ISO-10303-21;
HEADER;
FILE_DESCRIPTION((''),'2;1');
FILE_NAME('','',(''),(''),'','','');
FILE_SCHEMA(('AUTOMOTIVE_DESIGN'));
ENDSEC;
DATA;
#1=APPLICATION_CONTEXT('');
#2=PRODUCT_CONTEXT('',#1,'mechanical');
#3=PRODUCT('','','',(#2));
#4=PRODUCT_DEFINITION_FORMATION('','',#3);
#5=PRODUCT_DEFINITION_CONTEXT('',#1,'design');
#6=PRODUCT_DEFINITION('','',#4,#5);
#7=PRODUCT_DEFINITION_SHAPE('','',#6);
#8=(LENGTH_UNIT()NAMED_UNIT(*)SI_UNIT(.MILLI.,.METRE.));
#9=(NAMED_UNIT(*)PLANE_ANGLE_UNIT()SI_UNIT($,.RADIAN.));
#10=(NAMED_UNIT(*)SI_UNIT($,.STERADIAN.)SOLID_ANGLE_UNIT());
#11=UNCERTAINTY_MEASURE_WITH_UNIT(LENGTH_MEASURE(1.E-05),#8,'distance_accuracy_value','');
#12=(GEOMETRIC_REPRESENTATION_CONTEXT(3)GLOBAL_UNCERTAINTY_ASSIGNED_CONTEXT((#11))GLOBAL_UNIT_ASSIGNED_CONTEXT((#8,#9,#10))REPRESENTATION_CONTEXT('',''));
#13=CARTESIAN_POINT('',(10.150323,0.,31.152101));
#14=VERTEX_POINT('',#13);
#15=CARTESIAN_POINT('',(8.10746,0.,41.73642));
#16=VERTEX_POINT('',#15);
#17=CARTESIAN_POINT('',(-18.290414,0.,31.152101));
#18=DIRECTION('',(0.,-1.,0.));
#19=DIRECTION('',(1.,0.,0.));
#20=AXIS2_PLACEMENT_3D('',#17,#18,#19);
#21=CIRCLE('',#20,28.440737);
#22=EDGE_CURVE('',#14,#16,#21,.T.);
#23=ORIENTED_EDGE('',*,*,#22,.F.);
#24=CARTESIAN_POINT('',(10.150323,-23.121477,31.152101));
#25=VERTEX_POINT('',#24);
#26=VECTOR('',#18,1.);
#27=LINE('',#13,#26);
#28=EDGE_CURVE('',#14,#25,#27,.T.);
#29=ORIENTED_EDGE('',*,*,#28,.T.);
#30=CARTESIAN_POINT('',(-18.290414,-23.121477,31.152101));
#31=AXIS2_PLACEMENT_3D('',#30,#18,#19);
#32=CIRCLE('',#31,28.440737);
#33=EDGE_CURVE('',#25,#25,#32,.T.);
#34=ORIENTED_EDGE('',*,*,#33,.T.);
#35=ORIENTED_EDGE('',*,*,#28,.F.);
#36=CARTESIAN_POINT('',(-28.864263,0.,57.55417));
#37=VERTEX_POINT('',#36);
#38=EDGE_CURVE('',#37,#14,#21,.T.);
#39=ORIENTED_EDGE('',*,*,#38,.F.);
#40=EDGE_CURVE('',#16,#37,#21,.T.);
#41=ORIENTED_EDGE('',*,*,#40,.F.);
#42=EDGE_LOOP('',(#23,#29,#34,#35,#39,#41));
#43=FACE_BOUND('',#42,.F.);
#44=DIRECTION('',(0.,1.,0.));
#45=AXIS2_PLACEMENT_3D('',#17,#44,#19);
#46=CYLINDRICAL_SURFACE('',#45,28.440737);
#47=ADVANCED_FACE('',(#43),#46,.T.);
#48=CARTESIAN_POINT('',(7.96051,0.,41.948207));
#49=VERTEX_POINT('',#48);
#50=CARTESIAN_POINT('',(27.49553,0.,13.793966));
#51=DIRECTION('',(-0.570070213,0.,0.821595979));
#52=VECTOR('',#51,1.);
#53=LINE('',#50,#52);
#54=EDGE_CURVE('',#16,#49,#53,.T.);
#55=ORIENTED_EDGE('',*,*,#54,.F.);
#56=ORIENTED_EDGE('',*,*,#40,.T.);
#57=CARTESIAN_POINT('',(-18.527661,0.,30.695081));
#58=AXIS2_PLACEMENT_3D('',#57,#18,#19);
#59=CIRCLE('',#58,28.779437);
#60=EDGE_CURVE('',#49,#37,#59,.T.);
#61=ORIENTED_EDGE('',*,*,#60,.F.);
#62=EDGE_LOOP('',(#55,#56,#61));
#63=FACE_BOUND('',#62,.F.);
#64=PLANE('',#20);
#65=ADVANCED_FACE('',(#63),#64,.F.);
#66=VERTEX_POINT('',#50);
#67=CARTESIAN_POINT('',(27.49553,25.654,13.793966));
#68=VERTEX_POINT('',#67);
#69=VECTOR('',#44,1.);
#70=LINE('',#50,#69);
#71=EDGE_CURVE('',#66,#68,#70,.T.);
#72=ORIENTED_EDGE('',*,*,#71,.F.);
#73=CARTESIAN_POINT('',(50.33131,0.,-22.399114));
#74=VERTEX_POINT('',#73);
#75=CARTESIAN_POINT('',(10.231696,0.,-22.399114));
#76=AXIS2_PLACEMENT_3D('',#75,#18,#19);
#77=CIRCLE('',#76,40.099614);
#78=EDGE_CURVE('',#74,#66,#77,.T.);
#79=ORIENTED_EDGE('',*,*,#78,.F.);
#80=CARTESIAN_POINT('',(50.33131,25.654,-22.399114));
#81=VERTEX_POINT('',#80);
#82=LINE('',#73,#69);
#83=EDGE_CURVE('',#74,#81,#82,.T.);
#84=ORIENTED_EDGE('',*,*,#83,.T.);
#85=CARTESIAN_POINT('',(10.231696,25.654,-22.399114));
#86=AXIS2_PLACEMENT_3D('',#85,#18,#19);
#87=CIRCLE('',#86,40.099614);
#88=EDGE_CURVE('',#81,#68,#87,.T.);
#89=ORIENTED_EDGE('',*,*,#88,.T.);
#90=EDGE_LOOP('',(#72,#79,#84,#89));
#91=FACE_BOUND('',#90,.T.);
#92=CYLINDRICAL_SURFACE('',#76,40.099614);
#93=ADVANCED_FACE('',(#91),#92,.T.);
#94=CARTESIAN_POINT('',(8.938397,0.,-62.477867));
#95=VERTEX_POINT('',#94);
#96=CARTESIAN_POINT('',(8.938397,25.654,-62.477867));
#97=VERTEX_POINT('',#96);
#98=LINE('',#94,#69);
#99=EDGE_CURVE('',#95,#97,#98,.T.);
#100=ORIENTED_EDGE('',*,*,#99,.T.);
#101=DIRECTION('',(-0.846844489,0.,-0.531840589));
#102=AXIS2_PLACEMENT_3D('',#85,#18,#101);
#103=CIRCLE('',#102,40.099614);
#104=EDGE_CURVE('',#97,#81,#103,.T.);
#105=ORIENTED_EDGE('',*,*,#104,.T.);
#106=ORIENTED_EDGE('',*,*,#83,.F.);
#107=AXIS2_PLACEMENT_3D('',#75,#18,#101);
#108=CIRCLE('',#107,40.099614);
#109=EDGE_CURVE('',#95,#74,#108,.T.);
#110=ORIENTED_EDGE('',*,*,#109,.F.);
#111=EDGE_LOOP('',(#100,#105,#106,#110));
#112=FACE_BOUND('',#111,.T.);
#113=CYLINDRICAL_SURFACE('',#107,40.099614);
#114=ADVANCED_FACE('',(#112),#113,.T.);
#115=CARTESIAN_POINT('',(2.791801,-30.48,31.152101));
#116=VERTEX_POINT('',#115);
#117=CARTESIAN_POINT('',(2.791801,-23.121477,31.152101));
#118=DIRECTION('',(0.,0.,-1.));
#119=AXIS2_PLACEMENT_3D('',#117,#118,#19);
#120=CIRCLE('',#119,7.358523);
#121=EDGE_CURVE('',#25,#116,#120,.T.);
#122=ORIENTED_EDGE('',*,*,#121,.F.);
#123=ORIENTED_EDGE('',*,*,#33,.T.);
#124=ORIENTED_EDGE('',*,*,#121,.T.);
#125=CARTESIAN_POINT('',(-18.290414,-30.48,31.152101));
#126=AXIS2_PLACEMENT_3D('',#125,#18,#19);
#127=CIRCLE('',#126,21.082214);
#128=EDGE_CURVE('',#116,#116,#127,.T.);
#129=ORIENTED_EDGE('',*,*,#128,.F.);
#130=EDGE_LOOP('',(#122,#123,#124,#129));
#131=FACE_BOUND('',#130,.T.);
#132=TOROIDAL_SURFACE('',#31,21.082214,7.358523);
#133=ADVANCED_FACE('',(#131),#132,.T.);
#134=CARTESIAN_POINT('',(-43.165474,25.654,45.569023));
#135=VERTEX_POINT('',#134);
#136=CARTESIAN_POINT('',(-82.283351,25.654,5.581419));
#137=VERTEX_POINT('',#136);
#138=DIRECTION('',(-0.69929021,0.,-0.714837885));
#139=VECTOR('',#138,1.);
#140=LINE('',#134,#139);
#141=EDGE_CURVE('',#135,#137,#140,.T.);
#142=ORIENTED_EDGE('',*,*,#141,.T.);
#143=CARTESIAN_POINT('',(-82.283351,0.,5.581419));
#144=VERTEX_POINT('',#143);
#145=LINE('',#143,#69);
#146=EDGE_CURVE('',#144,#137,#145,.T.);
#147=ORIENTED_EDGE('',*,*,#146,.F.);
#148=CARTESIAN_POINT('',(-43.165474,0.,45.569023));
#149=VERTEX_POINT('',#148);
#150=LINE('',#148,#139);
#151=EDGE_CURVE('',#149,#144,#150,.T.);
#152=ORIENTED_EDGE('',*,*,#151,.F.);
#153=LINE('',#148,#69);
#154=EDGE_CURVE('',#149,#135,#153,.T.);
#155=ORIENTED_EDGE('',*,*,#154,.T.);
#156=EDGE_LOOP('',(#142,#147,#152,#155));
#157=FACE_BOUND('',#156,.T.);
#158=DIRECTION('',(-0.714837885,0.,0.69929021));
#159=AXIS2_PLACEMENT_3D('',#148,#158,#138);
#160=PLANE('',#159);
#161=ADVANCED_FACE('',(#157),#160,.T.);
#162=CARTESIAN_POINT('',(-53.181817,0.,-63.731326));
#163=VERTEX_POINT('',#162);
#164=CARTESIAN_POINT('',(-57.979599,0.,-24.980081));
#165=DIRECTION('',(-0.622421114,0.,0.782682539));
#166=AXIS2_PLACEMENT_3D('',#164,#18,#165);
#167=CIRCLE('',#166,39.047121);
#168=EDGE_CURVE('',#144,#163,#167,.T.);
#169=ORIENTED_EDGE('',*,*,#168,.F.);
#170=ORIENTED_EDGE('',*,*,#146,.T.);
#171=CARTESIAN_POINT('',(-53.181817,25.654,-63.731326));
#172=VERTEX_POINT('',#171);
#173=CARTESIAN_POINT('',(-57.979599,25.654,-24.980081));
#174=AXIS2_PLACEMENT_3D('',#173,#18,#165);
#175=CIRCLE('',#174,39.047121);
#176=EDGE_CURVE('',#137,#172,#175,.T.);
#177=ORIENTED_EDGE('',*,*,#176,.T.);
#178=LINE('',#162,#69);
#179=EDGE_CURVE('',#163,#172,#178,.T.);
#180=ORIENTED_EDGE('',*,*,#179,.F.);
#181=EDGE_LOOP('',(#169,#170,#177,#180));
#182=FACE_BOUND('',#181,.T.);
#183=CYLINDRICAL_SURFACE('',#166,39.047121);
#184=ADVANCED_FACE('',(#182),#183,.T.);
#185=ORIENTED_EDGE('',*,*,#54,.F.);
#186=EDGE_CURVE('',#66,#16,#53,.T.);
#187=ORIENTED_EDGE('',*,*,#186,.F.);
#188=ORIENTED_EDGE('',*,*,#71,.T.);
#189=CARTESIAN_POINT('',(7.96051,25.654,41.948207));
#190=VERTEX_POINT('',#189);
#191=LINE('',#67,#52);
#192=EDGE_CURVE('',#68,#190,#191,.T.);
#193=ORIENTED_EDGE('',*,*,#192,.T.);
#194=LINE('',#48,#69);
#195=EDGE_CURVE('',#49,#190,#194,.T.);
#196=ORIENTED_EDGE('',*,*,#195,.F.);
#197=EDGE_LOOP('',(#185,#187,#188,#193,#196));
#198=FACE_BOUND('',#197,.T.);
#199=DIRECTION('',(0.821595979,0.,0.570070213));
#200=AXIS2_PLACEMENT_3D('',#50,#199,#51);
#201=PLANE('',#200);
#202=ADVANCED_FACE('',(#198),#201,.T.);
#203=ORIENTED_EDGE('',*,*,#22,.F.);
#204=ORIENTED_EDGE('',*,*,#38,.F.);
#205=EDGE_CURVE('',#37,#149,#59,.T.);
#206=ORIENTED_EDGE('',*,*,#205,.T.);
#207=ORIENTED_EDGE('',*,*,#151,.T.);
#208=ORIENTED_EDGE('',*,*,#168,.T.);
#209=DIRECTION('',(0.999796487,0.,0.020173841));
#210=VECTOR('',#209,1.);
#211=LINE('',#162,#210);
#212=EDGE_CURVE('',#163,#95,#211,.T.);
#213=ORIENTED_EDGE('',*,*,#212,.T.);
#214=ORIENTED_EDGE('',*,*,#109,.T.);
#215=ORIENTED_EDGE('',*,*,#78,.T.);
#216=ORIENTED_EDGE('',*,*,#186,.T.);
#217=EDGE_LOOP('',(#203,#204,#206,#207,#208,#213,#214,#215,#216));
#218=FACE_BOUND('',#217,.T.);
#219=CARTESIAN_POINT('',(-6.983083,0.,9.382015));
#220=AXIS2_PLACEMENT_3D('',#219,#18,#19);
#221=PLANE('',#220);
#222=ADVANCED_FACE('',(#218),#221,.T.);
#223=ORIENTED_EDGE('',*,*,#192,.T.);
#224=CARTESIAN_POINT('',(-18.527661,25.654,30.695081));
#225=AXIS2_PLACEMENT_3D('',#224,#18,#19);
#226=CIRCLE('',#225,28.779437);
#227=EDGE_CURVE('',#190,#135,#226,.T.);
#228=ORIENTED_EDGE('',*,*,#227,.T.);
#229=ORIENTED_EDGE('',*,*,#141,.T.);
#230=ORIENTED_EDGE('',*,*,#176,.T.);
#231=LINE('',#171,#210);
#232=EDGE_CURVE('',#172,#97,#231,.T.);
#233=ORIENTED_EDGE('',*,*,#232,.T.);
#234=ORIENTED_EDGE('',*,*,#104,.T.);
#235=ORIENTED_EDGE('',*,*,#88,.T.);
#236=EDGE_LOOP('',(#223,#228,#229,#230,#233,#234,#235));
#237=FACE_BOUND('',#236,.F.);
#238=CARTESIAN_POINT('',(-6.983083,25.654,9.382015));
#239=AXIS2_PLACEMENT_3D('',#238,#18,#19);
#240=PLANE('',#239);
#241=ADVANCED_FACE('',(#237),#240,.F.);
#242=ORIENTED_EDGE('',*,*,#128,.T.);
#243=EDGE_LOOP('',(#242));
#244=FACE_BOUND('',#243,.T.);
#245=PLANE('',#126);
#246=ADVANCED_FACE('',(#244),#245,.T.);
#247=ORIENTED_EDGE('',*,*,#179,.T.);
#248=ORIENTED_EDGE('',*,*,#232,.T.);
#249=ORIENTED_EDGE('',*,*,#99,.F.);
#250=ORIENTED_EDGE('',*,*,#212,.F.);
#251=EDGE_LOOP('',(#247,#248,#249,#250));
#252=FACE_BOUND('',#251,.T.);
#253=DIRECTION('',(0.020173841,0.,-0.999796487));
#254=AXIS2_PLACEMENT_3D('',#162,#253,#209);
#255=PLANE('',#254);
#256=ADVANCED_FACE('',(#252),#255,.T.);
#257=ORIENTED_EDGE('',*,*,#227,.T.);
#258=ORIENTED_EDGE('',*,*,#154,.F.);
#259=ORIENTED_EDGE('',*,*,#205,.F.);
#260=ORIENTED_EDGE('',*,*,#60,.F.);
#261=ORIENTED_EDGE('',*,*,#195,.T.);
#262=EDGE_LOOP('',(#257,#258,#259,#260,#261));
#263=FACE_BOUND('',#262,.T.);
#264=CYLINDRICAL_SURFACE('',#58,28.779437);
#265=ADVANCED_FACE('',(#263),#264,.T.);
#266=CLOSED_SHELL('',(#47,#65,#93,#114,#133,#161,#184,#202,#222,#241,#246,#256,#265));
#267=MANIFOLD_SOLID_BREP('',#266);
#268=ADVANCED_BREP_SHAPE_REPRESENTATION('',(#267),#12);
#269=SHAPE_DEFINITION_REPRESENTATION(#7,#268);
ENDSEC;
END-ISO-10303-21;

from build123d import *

# Parameters (mm, degrees)
F1_DEPTH = 25.654
F2_R     = 28.4407370428
F3_DEPTH = 30.48
F4_R     = 7.3585229381


with BuildPart() as f1:
    # F0 (on Front) → F1 (new body)
    with BuildSketch(Plane.XZ):
        with BuildLine():
            ThreePointArc((-21.5344435526, 2.0731437555), (-4.8204991058, 5.3895527458), (7.0882450204, 17.5771005261))
            ThreePointArc((7.0882450204, 17.5771005261), (-8.8670748097, 12.8601538234), (-21.5344435526, 2.0731437555))
        make_face()
        with BuildLine():
            ThreePointArc((7.9605099877, 41.948206774), (9.6731432739, 36.4370915007), (10.2517769659, 30.6950807571))
            ThreePointArc((10.2517769659, 30.6950807571), (9.4497176108, 23.9480566036), (7.0882450204, 17.5771005261))
            ThreePointArc((7.0882450204, 17.5771005261), (17.5408909724, 17.0287274663), (27.4955300755, 13.793966155))
            Line((27.4955300755, 13.793966155), (7.9605099877, 41.948206774))
        make_face()
        with BuildLine():
            ThreePointArc((-23.7264411014, -43.725716795), (-36.04104655, -57.2814370335), (-53.1818165378, -63.731325619))
            Line((-53.1818165378, -63.731325619), (8.938396841, -62.4778672324))
            ThreePointArc((8.938396841, -62.4778672324), (-9.7326904365, -57.1755765902), (-23.7264411014, -43.725716795))
        make_face()
        with BuildLine():
            ThreePointArc((-18.9324777024, -24.9800812453), (-20.5427988057, -13.8821683024), (-25.2409413599, -3.6996213576))
            ThreePointArc((-25.2409413599, -3.6996213576), (-29.8392434552, -23.915311506), (-23.7264411014, -43.725716795))
            ThreePointArc((-23.7264411014, -43.725716795), (-20.1499486388, -34.6545442437), (-18.9324777024, -24.9800812453))
        make_face()
        with BuildLine():
            ThreePointArc((27.4955300755, 13.793966155), (17.5408909724, 17.0287274663), (7.0882450204, 17.5771005261))
            ThreePointArc((7.0882450204, 17.5771005261), (-4.8204991058, 5.3895527458), (-21.5344435526, 2.0731437555))
            ThreePointArc((-21.5344435526, 2.0731437555), (-23.5113697235, -0.7338297985), (-25.2409413599, -3.6996213576))
            ThreePointArc((-25.2409413599, -3.6996213576), (-20.5427988057, -13.8821683024), (-18.9324777024, -24.9800812453))
            ThreePointArc((-18.9324777024, -24.9800812453), (-20.1499486388, -34.6545442437), (-23.7264411014, -43.725716795))
            ThreePointArc((-23.7264411014, -43.725716795), (-9.7326904365, -57.1755765902), (8.938396841, -62.4778672324))
            ThreePointArc((8.938396841, -62.4778672324), (38.12540726, -51.2074452523), (50.331310131, -22.3991144449))
            ThreePointArc((50.331310131, -22.3991144449), (44.1452046519, -1.0016149762), (27.4955300755, 13.793966155))
        make_face()
        with BuildLine():
            ThreePointArc((7.0882450204, 17.5771005261), (9.4497176108, 23.9480566036), (10.2517769659, 30.6950807571))
            ThreePointArc((10.2517769659, 30.6950807571), (9.6731432739, 36.4370915007), (7.9605099877, 41.948206774))
            ThreePointArc((7.9605099877, 41.948206774), (-16.4945513192, 59.4026144185), (-43.1654741186, 45.5690231721))
            ThreePointArc((-43.1654741186, 45.5690231721), (-44.2964170336, 17.8799643072), (-21.5344435526, 2.0731437555))
            ThreePointArc((-21.5344435526, 2.0731437555), (-8.8670748097, 12.8601538234), (7.0882450204, 17.5771005261))
        make_face()
        with BuildLine():
            ThreePointArc((-21.5344435526, 2.0731437555), (-44.2964170336, 17.8799643072), (-43.1654741186, 45.5690231721))
            Line((-43.1654741186, 45.5690231721), (-82.2833511654, 5.5814185032))
            ThreePointArc((-82.2833511654, 5.5814185032), (-51.7089264452, 13.5602395088), (-25.2409413599, -3.6996213576))
            ThreePointArc((-25.2409413599, -3.6996213576), (-23.5113697235, -0.7338297985), (-21.5344435526, 2.0731437555))
        make_face()
        with BuildLine():
            ThreePointArc((-25.2409413599, -3.6996213576), (-51.7089264452, 13.5602395088), (-82.2833511654, 5.5814185032))
            ThreePointArc((-82.2833511654, 5.5814185032), (-93.9821658408, -40.0960598334), (-53.1818165378, -63.731325619))
            ThreePointArc((-53.1818165378, -63.731325619), (-36.04104655, -57.2814370335), (-23.7264411014, -43.725716795))
            ThreePointArc((-23.7264411014, -43.725716795), (-29.8392434552, -23.915311506), (-25.2409413599, -3.6996213576))
        make_face()
    extrude(amount=-F1_DEPTH)

    # F2 (on Front) → F3 (join)
    with BuildSketch(Plane.XZ):
        with Locations((-18.2904135436, 31.1521012336)):
            Circle(F2_R)
    extrude(amount=F3_DEPTH)

    # F4
    f4_edges = [f1.edges().sort_by_distance(p)[0] for p in [
        (-46.731151, -30.48, 31.152101),
    ]]
    fillet(f4_edges, radius=F4_R)


solid = f1.part
